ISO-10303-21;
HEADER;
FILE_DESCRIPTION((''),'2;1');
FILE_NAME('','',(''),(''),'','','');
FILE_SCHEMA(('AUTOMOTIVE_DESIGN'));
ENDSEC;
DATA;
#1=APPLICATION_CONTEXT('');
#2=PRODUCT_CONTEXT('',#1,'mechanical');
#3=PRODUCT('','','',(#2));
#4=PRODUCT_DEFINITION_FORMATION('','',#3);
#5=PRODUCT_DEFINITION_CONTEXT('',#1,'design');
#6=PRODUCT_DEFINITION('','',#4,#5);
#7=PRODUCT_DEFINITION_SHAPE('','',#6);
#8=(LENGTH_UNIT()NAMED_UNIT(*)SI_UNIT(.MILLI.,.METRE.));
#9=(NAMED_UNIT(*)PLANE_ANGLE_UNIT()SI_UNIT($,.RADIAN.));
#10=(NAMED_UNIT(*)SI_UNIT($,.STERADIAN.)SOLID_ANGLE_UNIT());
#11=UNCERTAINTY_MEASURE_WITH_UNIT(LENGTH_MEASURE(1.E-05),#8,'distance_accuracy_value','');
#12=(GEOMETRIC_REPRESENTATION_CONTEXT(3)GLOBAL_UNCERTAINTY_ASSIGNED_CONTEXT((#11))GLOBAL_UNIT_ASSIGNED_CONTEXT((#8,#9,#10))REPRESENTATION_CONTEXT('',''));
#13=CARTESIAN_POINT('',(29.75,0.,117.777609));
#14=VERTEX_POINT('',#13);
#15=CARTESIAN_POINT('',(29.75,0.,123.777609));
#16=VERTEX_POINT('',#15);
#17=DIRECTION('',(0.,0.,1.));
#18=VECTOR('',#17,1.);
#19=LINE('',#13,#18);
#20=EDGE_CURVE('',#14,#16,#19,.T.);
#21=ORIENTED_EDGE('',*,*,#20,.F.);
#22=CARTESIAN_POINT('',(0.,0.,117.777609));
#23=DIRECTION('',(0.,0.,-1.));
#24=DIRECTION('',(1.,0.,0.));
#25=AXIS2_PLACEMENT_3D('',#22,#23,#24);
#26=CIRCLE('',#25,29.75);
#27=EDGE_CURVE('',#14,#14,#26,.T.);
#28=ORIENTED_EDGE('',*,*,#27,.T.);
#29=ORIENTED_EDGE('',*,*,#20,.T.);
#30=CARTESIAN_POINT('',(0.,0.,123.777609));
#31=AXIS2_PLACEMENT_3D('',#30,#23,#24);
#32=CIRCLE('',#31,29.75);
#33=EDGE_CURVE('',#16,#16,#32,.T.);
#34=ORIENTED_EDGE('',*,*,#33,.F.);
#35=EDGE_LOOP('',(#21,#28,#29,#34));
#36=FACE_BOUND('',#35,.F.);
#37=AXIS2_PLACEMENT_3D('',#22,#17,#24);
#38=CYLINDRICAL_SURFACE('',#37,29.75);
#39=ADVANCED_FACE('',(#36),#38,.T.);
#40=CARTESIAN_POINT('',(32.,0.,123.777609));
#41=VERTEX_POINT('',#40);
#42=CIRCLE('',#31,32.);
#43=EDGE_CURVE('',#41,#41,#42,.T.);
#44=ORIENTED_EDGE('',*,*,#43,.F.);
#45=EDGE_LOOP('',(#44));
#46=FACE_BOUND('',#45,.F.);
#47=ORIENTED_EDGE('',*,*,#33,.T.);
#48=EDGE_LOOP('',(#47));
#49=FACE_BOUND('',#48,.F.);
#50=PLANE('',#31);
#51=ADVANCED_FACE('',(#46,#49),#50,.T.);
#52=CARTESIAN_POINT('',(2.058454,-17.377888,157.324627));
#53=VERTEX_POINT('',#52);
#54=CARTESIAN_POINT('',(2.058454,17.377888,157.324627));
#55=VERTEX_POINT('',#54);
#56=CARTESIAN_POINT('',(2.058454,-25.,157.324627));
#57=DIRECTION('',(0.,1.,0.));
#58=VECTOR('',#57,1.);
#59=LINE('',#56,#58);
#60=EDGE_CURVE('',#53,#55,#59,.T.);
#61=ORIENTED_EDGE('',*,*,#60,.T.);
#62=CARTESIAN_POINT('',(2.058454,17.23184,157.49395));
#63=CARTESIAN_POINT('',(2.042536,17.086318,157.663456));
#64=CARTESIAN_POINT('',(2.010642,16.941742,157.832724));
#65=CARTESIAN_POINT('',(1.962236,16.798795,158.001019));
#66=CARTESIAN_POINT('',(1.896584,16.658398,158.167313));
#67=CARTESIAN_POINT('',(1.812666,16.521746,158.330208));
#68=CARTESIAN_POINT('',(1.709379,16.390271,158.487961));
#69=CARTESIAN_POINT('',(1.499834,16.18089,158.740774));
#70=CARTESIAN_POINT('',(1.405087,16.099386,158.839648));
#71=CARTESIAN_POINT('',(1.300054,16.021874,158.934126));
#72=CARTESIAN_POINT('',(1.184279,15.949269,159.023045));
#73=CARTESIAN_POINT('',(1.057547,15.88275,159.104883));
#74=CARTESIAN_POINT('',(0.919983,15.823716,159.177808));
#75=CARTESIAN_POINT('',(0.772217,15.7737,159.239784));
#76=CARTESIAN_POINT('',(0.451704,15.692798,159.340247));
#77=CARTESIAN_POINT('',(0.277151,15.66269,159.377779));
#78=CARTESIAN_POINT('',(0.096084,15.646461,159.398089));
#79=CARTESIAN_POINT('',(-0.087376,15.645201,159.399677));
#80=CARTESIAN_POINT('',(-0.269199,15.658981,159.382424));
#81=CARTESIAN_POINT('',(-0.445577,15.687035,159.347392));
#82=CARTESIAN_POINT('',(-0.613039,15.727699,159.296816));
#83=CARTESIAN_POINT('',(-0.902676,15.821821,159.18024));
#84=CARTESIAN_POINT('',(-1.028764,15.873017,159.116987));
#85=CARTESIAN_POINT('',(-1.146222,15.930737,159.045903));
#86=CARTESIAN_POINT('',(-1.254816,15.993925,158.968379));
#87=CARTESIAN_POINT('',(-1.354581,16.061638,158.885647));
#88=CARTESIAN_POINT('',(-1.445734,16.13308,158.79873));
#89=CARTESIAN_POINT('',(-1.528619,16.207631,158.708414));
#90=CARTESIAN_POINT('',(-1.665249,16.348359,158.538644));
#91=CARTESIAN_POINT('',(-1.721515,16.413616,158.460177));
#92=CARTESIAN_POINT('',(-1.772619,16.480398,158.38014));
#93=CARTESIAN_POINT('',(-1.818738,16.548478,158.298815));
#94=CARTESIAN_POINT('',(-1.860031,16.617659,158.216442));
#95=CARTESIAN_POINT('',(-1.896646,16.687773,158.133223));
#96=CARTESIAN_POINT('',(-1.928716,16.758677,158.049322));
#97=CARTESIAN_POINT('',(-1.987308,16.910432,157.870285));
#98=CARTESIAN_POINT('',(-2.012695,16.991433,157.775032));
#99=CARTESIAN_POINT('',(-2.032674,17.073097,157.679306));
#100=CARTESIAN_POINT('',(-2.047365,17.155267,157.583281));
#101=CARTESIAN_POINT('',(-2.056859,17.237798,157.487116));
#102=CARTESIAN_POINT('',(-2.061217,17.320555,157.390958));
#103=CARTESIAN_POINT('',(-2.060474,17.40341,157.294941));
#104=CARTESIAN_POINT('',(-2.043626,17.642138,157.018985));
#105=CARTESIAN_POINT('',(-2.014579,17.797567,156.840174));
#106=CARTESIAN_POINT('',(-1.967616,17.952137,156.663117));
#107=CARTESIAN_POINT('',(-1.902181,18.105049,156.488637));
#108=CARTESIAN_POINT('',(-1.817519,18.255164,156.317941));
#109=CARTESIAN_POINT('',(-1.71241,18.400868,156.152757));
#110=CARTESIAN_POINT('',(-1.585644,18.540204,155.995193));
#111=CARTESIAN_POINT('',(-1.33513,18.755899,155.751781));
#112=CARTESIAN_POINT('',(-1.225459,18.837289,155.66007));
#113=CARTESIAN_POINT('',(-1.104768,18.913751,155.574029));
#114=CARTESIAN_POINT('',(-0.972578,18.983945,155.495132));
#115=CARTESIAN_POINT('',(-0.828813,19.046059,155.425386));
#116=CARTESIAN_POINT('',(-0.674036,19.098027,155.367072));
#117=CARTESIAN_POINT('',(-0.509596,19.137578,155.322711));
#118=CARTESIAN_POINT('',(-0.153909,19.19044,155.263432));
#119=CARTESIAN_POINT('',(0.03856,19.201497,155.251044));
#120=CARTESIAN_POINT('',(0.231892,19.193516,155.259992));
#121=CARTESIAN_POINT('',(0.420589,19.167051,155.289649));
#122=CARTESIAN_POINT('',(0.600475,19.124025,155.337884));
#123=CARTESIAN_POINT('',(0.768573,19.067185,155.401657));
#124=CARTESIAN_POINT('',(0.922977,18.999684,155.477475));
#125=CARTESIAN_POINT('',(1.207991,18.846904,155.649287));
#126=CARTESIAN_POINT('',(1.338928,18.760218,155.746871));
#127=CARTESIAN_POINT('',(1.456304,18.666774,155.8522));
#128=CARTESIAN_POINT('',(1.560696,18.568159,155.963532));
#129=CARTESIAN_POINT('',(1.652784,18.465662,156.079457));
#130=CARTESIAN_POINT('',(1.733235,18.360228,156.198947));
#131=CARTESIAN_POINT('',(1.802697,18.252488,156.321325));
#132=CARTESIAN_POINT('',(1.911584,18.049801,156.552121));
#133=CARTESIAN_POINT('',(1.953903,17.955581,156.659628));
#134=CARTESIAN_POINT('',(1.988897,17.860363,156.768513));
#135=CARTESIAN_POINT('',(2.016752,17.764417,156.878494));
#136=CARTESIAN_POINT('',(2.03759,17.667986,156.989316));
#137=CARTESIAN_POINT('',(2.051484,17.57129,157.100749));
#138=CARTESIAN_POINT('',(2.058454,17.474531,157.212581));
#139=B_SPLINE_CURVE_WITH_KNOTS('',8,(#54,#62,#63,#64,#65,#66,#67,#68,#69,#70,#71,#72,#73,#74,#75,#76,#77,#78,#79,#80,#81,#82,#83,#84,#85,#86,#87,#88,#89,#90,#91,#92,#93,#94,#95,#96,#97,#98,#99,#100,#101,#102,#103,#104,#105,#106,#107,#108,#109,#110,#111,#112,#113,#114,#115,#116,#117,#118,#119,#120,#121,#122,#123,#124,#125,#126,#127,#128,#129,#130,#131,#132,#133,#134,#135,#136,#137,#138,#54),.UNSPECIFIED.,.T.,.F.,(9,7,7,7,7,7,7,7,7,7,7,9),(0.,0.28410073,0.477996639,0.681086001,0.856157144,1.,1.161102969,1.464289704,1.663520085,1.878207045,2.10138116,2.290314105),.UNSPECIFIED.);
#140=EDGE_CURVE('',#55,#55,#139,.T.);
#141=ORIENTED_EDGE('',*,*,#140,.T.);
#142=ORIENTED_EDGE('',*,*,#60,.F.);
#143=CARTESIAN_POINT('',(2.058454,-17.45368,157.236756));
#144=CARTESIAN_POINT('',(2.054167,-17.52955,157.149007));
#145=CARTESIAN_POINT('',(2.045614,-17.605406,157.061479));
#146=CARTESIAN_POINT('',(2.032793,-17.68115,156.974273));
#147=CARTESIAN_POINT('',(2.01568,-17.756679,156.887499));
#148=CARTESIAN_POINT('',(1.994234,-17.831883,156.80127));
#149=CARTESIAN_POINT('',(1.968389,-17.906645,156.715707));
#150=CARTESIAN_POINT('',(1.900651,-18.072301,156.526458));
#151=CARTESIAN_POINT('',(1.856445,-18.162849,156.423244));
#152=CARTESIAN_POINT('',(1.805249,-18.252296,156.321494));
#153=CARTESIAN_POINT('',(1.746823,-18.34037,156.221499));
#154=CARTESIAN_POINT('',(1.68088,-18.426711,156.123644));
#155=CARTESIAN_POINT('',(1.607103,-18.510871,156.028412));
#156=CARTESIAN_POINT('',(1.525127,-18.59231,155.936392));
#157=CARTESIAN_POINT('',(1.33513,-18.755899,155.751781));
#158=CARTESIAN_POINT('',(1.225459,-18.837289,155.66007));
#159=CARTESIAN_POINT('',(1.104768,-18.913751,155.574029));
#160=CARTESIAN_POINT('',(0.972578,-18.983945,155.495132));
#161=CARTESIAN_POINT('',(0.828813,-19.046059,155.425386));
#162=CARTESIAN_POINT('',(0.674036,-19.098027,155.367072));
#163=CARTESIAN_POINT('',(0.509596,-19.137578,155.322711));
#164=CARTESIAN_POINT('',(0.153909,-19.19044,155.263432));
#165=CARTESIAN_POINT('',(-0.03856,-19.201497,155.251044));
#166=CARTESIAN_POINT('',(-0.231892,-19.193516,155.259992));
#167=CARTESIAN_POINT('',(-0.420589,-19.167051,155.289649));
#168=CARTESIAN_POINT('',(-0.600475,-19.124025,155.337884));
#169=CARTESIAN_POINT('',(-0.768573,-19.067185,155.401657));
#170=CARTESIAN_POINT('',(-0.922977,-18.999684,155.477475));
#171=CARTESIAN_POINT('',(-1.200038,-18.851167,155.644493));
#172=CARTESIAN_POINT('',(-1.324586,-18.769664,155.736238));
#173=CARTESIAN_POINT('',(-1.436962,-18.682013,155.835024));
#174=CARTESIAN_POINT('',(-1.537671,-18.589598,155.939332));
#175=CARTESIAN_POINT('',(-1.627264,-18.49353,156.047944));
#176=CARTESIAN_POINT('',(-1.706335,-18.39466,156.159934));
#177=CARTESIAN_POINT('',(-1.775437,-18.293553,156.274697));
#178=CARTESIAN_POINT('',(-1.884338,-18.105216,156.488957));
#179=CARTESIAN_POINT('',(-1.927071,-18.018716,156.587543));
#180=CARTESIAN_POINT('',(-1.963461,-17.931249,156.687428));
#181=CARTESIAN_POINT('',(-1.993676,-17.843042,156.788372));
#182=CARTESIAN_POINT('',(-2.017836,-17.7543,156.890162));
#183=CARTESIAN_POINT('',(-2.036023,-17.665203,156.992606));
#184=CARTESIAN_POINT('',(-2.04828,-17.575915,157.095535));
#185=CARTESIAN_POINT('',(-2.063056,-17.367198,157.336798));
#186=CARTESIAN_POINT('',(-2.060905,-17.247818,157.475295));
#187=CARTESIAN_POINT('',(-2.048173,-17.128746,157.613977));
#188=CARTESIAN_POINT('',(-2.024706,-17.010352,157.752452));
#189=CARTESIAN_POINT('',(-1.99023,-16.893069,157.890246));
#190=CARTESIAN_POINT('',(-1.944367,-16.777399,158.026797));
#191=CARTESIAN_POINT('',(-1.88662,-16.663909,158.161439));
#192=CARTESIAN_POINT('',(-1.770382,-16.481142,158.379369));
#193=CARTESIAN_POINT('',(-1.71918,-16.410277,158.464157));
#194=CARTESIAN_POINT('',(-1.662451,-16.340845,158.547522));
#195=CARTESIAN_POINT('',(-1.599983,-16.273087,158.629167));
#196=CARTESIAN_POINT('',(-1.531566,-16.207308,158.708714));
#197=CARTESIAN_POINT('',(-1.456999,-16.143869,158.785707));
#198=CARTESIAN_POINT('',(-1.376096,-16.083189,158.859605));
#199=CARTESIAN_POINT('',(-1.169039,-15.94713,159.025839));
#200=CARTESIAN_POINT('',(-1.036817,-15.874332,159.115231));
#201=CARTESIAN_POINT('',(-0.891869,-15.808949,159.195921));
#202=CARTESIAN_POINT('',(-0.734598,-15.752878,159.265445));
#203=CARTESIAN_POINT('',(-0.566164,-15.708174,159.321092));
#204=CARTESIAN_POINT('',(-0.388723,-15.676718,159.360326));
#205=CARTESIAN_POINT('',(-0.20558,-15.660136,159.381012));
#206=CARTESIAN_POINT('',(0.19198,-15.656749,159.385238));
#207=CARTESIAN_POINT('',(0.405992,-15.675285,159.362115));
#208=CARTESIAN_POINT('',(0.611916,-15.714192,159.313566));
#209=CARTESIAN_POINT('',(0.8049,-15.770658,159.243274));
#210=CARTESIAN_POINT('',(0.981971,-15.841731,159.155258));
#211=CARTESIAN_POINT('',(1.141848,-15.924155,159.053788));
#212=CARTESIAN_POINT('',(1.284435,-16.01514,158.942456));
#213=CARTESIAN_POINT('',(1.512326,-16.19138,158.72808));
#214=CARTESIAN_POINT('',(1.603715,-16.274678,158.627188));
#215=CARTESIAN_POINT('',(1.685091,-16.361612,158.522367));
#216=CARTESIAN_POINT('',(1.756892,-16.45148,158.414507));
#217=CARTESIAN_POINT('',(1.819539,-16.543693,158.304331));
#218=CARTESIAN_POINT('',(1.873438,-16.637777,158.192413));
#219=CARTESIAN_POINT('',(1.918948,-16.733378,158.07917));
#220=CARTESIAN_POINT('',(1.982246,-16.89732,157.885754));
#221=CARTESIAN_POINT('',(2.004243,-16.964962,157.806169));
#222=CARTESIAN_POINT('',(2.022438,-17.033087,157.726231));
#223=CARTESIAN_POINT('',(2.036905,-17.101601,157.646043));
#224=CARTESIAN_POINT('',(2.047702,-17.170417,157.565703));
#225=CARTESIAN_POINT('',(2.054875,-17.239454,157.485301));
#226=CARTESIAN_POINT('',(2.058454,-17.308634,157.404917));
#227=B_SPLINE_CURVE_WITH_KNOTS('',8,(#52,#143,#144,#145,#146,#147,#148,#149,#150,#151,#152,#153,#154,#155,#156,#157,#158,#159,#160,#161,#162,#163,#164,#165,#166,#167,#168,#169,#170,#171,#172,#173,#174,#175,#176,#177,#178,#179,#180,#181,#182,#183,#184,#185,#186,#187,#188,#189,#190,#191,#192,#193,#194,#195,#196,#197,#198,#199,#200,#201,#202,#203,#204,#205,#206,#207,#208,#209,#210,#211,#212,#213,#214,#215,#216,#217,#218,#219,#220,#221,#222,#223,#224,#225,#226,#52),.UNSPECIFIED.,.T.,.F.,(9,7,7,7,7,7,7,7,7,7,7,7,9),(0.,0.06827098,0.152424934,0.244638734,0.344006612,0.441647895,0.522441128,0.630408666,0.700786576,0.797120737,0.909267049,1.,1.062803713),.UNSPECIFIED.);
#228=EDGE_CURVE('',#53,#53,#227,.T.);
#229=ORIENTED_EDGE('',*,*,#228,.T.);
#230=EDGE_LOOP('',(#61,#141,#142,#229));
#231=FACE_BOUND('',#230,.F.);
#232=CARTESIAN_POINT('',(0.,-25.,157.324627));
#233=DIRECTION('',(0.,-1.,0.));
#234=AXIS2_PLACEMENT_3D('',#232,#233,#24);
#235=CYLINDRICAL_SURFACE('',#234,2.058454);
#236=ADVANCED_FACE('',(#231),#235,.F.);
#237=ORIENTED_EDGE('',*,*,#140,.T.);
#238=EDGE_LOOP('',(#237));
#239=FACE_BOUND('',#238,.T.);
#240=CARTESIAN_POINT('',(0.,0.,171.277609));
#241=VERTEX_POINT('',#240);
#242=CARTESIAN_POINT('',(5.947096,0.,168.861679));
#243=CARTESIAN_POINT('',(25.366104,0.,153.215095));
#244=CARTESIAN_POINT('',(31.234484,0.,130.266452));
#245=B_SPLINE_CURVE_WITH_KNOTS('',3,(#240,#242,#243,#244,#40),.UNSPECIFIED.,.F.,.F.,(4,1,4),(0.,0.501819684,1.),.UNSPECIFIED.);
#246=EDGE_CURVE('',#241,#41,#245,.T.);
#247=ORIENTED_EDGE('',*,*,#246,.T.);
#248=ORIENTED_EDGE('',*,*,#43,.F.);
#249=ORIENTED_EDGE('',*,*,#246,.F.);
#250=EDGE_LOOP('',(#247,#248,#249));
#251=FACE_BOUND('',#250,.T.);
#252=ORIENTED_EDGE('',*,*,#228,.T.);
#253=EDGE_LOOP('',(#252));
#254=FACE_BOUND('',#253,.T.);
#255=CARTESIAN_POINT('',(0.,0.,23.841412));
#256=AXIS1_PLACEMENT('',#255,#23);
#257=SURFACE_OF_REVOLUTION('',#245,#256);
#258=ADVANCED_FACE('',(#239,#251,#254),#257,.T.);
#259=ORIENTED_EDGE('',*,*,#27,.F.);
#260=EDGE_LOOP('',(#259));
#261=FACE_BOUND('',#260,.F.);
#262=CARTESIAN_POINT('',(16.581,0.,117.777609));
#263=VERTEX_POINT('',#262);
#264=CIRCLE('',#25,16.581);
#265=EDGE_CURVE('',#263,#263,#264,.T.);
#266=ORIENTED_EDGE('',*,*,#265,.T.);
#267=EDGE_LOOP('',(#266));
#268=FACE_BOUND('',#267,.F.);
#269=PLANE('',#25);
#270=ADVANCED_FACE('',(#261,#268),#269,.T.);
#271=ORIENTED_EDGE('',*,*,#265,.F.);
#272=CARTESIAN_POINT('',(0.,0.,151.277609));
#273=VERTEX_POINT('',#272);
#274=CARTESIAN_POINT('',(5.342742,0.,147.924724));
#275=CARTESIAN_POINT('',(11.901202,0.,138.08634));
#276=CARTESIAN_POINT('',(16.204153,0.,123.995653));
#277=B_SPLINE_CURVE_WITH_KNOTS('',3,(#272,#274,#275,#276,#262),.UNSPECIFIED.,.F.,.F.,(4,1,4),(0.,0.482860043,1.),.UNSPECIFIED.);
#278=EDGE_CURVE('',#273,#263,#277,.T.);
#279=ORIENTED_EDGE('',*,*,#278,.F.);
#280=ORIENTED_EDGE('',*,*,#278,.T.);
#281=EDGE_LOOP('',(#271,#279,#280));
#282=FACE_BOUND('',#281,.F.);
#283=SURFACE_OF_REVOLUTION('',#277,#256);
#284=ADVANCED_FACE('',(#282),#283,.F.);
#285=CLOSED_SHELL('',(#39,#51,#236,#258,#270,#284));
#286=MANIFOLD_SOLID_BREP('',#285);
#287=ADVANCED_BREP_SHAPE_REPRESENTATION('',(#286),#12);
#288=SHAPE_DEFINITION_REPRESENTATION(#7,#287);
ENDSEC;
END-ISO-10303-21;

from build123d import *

# Parameters (mm, degrees)
F4_R     = 2.0584538579
F5_DEPTH = 47.2


with BuildPart() as f2:
    # F0 (on Front) → F2 (revolve)
    with BuildSketch(Plane.XZ):
        with BuildLine():
            Line((16.581, 117.7776088037), (29.75, 117.7776088037))
            Line((29.75, 117.7776088037), (29.75, 123.7776088037))
            Line((29.75, 123.7776088037), (32, 123.7776088037))
            add(Edge.make_bspline(
                [(0, 171.2776088037), (5.9470960936, 168.8616789685), (25.3661042634, 153.2150951784), (31.2344838147, 130.2664517532), (32, 123.7776088037)],
                knots=[0, 0, 0, 0, 0.5018196841, 1, 1, 1, 1], degree=3))
            Line((0, 171.2776088037), (0, 151.2776088037))
            add(Edge.make_bspline(
                [(0, 151.2776088037), (5.342741727, 147.9247237065), (11.9012019321, 138.0863396516), (16.2041531537, 123.9956529292), (16.581, 117.7776088037)],
                knots=[0, 0, 0, 0, 0.4828600431, 1, 1, 1, 1], degree=3))
        make_face()
    revolve(axis=Axis((0, 0, 23.8414118066), (0, 0, -1)))

    # F4 (on offset) → F5 (cut)
    with BuildSketch(Plane.XZ.offset(25)):
        with Locations((0, 157.3246270418)):
            Circle(F4_R)
    extrude(amount=-F5_DEPTH, mode=Mode.SUBTRACT)


solid = f2.part
